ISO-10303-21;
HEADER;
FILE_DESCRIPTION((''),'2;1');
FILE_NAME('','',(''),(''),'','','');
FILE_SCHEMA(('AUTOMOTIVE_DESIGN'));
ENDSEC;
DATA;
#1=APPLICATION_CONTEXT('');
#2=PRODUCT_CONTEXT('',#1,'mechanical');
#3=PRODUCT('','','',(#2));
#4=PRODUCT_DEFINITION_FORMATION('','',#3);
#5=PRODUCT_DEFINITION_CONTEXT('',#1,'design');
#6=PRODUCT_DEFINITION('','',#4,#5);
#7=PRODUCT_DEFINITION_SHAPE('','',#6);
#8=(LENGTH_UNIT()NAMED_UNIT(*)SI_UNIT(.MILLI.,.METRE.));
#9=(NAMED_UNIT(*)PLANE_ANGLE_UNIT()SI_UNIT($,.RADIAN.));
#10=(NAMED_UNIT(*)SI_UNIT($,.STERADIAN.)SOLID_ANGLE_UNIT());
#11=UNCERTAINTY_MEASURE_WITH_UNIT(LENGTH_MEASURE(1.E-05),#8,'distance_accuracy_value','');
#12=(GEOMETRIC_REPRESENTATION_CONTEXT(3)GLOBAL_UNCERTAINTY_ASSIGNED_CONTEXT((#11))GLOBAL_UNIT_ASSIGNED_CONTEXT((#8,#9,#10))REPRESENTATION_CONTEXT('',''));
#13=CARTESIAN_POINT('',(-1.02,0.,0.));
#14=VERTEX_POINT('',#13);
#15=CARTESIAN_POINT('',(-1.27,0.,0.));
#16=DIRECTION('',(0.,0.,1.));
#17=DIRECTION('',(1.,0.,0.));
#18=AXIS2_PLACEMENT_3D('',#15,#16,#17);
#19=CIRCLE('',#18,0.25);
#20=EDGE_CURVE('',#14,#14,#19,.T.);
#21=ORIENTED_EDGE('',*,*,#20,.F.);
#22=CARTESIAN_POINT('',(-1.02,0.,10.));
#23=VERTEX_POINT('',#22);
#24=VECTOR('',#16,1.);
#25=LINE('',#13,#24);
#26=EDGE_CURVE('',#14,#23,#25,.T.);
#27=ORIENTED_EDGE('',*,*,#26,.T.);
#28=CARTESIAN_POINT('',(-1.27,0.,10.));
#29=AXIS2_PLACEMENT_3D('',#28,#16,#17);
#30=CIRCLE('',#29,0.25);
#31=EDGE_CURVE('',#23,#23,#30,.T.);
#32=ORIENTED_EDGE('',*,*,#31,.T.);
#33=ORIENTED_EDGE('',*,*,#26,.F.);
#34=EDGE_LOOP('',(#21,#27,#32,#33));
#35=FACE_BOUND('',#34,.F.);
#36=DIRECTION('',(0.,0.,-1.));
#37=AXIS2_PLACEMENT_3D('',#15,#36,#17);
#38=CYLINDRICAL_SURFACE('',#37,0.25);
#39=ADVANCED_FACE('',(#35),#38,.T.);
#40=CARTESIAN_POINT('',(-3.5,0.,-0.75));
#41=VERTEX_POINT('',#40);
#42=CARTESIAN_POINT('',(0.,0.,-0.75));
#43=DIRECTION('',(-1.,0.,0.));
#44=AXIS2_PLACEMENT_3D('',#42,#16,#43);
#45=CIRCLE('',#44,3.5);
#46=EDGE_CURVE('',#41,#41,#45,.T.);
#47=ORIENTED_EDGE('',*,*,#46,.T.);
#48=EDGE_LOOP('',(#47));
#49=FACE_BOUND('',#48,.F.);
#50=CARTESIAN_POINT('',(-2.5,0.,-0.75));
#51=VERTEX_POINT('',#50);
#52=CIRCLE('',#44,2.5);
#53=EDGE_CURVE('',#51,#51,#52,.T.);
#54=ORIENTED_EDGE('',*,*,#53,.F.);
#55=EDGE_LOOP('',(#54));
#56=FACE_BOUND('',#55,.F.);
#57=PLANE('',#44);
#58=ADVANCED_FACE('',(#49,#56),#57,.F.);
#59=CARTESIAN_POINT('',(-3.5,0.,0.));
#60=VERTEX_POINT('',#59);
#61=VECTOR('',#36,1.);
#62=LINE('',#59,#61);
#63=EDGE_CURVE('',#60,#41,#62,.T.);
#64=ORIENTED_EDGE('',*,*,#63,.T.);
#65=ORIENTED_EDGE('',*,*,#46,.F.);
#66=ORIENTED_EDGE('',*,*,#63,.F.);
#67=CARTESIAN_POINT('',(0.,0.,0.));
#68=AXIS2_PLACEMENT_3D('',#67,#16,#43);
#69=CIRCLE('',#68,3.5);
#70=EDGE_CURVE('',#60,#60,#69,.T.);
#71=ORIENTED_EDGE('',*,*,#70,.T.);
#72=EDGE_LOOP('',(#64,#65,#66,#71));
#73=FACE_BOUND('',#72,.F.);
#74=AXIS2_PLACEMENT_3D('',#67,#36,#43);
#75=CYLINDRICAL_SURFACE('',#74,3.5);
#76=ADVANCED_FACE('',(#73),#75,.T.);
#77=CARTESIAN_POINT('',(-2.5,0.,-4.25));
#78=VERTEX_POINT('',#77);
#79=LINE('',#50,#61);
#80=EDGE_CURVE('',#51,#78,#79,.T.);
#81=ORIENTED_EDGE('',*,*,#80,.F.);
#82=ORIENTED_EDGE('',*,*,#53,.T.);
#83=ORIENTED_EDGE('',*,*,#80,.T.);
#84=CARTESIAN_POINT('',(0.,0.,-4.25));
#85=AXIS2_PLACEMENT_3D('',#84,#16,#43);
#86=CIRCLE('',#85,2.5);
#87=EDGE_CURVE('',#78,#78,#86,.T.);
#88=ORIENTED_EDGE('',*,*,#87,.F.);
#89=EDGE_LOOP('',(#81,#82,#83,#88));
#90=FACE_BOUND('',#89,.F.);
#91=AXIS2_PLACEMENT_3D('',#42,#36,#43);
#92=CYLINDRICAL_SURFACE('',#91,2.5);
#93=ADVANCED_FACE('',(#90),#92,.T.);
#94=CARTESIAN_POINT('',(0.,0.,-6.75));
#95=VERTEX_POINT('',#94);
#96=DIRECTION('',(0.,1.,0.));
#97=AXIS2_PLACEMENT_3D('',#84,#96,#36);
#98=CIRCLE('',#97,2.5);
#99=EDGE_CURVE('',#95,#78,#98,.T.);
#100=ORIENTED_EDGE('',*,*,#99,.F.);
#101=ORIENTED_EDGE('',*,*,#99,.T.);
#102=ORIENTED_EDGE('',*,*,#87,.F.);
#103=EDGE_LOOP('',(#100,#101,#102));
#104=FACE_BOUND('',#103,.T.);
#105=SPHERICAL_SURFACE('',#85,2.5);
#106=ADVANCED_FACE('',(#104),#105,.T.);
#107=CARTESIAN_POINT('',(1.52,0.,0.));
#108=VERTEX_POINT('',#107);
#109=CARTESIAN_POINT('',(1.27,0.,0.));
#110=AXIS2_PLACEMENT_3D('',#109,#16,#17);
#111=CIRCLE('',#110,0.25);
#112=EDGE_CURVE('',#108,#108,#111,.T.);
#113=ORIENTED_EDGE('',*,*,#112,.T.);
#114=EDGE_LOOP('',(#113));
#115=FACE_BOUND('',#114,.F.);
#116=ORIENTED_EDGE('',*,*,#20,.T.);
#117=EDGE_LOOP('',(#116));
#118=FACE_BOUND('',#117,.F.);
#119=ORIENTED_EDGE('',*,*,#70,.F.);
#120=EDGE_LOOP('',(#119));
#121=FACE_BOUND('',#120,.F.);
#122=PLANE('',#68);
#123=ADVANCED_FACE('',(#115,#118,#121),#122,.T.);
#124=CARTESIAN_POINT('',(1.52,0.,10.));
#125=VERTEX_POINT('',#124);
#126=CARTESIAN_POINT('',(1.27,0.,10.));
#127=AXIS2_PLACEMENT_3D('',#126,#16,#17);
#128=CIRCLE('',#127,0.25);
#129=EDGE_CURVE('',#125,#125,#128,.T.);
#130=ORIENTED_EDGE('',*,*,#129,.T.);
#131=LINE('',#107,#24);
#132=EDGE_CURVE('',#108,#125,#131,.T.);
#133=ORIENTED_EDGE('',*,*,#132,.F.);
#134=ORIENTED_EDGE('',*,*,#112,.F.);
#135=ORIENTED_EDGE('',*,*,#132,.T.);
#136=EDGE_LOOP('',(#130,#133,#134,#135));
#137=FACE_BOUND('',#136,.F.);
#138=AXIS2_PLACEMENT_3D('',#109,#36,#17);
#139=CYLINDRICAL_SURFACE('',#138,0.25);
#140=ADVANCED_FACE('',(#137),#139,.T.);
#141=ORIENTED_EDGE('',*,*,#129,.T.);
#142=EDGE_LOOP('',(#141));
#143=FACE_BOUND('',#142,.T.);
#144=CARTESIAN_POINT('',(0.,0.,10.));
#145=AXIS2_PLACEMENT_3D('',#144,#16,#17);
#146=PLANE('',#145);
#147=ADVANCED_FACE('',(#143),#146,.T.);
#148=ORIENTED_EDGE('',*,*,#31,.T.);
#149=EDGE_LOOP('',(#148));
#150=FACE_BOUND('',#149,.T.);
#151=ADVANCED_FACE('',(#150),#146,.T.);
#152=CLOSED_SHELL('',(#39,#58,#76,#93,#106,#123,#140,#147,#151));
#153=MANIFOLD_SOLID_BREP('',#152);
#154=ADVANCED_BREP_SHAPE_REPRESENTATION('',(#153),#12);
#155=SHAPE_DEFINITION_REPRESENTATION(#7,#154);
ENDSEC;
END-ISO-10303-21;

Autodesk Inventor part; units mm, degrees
ref_plane "YZ Plane" through (0, 0, 0) normal (1, 0, 0) x (0, 1, 0)
ref_plane "XZ Plane" through (0, 0, 0) normal (0, 1, 0) x (-1, 0, 0)
ref_plane "XY Plane" through (0, 0, 0) normal (0, 0, 1) x (1, 0, 0)
sketch "Skizze1" plane through (0, 0, 0) normal (0, 1, 0) x (-1, 0, 0)
  line L0 (0, 0) -> (3.5, 0)
  line L1 (3.5, 0) -> (3.5, -0.75)
  line L2 (3.5, -0.75) -> (2.5, -0.75)
  line L3 (2.5, -0.75) -> (2.5, -4.25)
  line L4 (0, -6.75) -> (0, -6.75)
  line L5 (0, -6.75) -> (0, 0)
  arc A0 (0, -6.75) -> (2.5, -4.25) centre (0, -4.25) ccw
  point P0 (2.5, -6.75)
  dimension "d6" = 3.5
  dimension "d7" = 0.75
  dimension "d8" = 1
  dimension "d9" = 6
  dimension "d10" = 2.5
revolve "Umdrehung1" add sketch "Skizze1" angle 360 about axis through (0, 0, -6.75) along (0, 0, 1)
sketch "Skizze2" plane through (0, 0, 0) normal (0, 0, 1) x (1, 0, 0)
  circle A0 centre (0, 0) radius 3.5 projected
  circle A1 centre (0, 0) radius 3.5 projected
  circle A2 centre (-1.27, 0) radius 0.25
  circle A3 centre (1.27, 0) radius 0.25
  point P0 (0, 0)
  dimension "d11" = 0.5
  dimension "d12" = 0.5
  dimension "d13" = 1.27
  dimension "d14" = 1.27
extrude "Extrusion1" add sketch "Skizze2" along normal blind 10 contours A2 | A3
properties part number "licht_led_gruen"
